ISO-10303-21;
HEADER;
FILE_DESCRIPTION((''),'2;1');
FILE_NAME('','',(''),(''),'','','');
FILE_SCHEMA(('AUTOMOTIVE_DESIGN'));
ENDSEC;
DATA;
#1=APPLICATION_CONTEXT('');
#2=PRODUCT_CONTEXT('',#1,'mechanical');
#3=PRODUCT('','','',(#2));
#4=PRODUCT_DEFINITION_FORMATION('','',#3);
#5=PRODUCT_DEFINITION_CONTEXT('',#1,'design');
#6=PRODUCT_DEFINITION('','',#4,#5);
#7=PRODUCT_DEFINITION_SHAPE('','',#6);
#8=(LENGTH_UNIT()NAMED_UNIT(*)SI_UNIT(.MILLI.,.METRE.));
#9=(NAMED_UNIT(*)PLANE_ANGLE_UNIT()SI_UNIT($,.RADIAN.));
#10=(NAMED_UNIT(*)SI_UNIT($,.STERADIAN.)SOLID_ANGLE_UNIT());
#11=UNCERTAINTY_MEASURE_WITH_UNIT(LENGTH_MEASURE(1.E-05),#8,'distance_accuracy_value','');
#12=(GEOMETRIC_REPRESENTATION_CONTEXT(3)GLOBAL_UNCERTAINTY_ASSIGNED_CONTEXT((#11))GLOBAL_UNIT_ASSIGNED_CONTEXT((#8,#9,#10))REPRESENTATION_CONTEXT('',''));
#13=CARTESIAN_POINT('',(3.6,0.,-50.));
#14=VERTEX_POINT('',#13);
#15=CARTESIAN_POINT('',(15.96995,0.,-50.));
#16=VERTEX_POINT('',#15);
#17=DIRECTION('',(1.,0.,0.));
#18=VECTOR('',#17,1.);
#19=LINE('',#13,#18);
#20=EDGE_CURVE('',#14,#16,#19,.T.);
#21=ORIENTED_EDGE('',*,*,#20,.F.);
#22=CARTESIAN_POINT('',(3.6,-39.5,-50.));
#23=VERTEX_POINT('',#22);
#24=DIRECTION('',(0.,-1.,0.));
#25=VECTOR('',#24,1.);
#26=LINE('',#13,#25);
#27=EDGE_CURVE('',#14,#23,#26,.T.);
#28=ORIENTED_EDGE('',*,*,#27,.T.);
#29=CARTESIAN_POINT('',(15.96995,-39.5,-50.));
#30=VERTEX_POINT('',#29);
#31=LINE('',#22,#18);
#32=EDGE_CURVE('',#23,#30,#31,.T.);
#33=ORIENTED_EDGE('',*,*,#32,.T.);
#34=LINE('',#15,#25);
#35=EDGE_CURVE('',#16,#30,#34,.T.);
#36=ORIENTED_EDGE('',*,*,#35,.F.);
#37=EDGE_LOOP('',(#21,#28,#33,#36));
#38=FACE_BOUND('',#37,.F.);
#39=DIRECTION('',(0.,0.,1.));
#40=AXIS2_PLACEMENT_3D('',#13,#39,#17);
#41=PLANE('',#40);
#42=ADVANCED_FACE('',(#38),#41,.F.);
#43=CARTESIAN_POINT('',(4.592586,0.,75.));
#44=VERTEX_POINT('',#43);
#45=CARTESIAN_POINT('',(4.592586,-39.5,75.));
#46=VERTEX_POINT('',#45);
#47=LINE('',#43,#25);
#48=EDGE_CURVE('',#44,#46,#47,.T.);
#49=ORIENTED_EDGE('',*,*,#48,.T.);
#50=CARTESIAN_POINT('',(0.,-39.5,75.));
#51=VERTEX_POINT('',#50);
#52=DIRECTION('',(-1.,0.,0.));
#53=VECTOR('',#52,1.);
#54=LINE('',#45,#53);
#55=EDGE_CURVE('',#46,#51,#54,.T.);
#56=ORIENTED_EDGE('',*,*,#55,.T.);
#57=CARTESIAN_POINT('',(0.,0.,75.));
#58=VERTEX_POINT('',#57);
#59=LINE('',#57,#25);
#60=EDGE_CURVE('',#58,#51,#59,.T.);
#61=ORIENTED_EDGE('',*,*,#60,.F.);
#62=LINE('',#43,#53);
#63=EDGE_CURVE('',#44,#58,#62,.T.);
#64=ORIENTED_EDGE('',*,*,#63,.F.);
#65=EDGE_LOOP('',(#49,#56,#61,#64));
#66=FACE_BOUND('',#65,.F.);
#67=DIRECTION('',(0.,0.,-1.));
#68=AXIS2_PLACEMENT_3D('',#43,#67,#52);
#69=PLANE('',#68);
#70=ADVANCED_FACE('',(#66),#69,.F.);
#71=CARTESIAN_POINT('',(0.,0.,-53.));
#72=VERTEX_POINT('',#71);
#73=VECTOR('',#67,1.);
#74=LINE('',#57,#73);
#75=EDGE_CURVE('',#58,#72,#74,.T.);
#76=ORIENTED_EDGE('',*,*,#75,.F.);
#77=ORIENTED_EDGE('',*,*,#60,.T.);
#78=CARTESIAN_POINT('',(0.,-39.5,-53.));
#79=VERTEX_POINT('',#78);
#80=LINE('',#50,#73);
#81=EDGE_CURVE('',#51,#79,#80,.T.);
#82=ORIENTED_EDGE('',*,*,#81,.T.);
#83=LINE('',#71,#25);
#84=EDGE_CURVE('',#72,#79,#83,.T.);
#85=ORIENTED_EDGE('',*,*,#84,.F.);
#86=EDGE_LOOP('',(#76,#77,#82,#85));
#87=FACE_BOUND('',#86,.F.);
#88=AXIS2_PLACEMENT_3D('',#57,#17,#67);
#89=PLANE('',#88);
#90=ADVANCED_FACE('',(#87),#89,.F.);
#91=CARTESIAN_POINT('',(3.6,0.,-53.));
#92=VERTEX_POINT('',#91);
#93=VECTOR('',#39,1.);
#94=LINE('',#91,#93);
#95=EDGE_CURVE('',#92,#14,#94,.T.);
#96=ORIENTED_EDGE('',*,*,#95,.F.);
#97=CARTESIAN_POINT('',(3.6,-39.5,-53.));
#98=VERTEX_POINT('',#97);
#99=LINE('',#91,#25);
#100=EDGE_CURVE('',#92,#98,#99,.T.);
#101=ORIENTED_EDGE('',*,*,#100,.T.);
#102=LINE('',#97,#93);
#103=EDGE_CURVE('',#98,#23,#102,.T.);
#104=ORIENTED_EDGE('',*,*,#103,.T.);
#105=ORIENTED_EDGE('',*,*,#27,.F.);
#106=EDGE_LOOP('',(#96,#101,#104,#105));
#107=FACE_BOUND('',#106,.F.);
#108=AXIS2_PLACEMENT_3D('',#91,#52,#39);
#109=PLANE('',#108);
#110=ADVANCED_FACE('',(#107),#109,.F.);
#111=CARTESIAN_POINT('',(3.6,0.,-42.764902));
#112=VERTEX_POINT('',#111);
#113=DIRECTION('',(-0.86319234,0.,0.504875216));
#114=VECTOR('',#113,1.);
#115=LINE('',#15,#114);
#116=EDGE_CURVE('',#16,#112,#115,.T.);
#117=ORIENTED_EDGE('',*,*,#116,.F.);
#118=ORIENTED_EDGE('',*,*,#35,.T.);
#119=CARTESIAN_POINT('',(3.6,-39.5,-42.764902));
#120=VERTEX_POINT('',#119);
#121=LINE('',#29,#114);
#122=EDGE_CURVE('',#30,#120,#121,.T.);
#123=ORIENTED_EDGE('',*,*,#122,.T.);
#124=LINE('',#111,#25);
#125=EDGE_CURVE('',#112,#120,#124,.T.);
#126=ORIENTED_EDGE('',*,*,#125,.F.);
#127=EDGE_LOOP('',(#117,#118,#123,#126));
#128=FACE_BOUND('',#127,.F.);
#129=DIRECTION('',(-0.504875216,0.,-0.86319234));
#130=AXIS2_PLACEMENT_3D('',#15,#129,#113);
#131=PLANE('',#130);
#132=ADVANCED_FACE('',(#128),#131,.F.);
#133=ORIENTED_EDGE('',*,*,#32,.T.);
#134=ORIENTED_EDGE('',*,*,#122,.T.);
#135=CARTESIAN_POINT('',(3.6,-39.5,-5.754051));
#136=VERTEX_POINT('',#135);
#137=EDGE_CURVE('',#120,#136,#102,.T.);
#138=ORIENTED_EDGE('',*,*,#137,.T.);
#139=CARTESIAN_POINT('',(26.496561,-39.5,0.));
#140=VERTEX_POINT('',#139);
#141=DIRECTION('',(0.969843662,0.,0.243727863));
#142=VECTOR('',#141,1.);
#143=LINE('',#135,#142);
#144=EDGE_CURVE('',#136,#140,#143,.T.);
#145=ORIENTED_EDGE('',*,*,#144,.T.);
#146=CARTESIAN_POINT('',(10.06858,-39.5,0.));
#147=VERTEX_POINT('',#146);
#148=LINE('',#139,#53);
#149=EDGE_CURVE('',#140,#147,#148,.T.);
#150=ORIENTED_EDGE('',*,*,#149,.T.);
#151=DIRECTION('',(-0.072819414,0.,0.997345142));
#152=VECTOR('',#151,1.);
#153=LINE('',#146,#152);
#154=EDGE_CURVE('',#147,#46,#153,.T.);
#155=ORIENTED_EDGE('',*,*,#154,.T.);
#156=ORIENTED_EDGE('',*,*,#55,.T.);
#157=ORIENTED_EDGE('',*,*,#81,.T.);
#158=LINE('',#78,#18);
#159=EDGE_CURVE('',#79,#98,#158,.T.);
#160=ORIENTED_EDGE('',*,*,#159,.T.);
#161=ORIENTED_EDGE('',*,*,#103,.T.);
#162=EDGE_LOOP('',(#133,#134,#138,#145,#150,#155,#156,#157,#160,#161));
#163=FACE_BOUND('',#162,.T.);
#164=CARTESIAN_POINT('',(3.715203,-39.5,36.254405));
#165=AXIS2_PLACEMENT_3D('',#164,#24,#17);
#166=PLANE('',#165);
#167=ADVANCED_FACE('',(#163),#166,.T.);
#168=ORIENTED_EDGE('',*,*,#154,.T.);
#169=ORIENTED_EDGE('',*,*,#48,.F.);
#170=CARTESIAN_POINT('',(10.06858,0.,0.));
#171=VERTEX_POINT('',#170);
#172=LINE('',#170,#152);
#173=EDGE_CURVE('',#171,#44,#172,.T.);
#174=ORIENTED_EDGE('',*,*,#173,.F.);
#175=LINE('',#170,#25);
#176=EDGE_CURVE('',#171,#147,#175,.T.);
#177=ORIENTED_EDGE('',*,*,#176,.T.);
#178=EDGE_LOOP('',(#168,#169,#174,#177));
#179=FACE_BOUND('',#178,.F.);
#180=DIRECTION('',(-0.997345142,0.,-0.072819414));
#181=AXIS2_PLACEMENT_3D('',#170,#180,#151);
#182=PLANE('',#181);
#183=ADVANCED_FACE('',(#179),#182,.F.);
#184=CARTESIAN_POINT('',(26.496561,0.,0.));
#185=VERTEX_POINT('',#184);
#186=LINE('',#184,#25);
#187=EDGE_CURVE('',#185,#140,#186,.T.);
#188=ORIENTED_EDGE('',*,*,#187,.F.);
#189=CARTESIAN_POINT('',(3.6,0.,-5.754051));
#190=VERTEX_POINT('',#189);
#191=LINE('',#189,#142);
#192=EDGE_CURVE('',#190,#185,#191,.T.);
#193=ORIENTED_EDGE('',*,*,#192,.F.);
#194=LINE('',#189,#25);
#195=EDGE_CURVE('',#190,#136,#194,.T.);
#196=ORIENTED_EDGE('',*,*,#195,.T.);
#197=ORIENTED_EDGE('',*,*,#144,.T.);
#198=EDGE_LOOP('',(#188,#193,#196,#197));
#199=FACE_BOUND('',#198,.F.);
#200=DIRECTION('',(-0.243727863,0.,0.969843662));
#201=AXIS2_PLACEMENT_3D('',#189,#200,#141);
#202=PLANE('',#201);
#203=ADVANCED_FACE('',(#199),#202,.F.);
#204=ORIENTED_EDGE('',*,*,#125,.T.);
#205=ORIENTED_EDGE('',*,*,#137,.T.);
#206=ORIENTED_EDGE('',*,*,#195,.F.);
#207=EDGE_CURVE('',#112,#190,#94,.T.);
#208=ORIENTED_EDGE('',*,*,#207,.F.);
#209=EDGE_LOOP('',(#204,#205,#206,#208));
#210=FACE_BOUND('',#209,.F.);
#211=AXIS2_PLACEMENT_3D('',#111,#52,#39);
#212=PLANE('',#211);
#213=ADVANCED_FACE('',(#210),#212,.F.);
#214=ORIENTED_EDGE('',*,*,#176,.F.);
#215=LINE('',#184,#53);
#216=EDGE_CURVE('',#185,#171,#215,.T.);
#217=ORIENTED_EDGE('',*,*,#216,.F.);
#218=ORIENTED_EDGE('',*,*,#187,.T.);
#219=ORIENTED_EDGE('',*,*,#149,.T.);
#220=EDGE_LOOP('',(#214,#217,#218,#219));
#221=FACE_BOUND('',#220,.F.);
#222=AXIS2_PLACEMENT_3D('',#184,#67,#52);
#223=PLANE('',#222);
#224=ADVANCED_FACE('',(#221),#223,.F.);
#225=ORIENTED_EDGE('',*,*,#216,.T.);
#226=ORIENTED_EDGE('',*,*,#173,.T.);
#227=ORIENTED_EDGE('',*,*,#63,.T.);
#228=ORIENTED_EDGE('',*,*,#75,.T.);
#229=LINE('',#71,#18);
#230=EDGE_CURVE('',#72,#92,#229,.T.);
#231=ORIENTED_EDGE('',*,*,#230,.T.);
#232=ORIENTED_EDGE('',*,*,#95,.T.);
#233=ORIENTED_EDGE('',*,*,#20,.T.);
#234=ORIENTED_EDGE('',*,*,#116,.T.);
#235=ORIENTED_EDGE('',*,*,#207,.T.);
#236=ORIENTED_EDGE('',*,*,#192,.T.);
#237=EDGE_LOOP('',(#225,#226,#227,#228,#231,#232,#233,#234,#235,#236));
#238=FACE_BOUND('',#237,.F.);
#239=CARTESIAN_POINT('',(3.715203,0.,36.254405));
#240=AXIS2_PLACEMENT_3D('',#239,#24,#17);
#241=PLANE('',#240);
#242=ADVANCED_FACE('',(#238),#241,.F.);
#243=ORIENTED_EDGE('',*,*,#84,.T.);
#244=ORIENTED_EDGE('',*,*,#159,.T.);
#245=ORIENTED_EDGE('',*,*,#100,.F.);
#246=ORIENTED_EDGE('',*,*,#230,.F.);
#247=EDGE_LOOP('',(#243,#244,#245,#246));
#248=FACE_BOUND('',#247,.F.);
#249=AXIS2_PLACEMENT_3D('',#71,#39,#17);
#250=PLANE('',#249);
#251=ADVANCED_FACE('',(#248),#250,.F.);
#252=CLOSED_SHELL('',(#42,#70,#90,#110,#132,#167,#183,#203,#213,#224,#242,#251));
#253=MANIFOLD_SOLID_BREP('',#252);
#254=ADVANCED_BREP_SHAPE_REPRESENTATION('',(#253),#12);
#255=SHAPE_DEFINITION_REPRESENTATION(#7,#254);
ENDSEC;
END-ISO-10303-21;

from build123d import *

# Parameters (mm, degrees)
F1_DEPTH = 39.5


with BuildPart() as f1:
    # F0 (on Front) → F1 (new body)
    with BuildSketch(Plane.XZ):
        Polygon((0, 75), (0, 0), (3.6, 0), (10.06858, 0), (4.592586, 75), align=None)
        Polygon((3.6, 0), (0, 0), (0, -53), (3.6, -53), (3.6, -50), (3.6, -42.764902), (3.6, -5.754051), align=None)
        Polygon((10.06858, 0), (3.6, 0), (3.6, -5.754051), (26.496561, 0), align=None)
        Polygon((15.96995, -50), (3.6, -42.764902), (3.6, -50), align=None)
    extrude(amount=F1_DEPTH)


solid = f1.part
